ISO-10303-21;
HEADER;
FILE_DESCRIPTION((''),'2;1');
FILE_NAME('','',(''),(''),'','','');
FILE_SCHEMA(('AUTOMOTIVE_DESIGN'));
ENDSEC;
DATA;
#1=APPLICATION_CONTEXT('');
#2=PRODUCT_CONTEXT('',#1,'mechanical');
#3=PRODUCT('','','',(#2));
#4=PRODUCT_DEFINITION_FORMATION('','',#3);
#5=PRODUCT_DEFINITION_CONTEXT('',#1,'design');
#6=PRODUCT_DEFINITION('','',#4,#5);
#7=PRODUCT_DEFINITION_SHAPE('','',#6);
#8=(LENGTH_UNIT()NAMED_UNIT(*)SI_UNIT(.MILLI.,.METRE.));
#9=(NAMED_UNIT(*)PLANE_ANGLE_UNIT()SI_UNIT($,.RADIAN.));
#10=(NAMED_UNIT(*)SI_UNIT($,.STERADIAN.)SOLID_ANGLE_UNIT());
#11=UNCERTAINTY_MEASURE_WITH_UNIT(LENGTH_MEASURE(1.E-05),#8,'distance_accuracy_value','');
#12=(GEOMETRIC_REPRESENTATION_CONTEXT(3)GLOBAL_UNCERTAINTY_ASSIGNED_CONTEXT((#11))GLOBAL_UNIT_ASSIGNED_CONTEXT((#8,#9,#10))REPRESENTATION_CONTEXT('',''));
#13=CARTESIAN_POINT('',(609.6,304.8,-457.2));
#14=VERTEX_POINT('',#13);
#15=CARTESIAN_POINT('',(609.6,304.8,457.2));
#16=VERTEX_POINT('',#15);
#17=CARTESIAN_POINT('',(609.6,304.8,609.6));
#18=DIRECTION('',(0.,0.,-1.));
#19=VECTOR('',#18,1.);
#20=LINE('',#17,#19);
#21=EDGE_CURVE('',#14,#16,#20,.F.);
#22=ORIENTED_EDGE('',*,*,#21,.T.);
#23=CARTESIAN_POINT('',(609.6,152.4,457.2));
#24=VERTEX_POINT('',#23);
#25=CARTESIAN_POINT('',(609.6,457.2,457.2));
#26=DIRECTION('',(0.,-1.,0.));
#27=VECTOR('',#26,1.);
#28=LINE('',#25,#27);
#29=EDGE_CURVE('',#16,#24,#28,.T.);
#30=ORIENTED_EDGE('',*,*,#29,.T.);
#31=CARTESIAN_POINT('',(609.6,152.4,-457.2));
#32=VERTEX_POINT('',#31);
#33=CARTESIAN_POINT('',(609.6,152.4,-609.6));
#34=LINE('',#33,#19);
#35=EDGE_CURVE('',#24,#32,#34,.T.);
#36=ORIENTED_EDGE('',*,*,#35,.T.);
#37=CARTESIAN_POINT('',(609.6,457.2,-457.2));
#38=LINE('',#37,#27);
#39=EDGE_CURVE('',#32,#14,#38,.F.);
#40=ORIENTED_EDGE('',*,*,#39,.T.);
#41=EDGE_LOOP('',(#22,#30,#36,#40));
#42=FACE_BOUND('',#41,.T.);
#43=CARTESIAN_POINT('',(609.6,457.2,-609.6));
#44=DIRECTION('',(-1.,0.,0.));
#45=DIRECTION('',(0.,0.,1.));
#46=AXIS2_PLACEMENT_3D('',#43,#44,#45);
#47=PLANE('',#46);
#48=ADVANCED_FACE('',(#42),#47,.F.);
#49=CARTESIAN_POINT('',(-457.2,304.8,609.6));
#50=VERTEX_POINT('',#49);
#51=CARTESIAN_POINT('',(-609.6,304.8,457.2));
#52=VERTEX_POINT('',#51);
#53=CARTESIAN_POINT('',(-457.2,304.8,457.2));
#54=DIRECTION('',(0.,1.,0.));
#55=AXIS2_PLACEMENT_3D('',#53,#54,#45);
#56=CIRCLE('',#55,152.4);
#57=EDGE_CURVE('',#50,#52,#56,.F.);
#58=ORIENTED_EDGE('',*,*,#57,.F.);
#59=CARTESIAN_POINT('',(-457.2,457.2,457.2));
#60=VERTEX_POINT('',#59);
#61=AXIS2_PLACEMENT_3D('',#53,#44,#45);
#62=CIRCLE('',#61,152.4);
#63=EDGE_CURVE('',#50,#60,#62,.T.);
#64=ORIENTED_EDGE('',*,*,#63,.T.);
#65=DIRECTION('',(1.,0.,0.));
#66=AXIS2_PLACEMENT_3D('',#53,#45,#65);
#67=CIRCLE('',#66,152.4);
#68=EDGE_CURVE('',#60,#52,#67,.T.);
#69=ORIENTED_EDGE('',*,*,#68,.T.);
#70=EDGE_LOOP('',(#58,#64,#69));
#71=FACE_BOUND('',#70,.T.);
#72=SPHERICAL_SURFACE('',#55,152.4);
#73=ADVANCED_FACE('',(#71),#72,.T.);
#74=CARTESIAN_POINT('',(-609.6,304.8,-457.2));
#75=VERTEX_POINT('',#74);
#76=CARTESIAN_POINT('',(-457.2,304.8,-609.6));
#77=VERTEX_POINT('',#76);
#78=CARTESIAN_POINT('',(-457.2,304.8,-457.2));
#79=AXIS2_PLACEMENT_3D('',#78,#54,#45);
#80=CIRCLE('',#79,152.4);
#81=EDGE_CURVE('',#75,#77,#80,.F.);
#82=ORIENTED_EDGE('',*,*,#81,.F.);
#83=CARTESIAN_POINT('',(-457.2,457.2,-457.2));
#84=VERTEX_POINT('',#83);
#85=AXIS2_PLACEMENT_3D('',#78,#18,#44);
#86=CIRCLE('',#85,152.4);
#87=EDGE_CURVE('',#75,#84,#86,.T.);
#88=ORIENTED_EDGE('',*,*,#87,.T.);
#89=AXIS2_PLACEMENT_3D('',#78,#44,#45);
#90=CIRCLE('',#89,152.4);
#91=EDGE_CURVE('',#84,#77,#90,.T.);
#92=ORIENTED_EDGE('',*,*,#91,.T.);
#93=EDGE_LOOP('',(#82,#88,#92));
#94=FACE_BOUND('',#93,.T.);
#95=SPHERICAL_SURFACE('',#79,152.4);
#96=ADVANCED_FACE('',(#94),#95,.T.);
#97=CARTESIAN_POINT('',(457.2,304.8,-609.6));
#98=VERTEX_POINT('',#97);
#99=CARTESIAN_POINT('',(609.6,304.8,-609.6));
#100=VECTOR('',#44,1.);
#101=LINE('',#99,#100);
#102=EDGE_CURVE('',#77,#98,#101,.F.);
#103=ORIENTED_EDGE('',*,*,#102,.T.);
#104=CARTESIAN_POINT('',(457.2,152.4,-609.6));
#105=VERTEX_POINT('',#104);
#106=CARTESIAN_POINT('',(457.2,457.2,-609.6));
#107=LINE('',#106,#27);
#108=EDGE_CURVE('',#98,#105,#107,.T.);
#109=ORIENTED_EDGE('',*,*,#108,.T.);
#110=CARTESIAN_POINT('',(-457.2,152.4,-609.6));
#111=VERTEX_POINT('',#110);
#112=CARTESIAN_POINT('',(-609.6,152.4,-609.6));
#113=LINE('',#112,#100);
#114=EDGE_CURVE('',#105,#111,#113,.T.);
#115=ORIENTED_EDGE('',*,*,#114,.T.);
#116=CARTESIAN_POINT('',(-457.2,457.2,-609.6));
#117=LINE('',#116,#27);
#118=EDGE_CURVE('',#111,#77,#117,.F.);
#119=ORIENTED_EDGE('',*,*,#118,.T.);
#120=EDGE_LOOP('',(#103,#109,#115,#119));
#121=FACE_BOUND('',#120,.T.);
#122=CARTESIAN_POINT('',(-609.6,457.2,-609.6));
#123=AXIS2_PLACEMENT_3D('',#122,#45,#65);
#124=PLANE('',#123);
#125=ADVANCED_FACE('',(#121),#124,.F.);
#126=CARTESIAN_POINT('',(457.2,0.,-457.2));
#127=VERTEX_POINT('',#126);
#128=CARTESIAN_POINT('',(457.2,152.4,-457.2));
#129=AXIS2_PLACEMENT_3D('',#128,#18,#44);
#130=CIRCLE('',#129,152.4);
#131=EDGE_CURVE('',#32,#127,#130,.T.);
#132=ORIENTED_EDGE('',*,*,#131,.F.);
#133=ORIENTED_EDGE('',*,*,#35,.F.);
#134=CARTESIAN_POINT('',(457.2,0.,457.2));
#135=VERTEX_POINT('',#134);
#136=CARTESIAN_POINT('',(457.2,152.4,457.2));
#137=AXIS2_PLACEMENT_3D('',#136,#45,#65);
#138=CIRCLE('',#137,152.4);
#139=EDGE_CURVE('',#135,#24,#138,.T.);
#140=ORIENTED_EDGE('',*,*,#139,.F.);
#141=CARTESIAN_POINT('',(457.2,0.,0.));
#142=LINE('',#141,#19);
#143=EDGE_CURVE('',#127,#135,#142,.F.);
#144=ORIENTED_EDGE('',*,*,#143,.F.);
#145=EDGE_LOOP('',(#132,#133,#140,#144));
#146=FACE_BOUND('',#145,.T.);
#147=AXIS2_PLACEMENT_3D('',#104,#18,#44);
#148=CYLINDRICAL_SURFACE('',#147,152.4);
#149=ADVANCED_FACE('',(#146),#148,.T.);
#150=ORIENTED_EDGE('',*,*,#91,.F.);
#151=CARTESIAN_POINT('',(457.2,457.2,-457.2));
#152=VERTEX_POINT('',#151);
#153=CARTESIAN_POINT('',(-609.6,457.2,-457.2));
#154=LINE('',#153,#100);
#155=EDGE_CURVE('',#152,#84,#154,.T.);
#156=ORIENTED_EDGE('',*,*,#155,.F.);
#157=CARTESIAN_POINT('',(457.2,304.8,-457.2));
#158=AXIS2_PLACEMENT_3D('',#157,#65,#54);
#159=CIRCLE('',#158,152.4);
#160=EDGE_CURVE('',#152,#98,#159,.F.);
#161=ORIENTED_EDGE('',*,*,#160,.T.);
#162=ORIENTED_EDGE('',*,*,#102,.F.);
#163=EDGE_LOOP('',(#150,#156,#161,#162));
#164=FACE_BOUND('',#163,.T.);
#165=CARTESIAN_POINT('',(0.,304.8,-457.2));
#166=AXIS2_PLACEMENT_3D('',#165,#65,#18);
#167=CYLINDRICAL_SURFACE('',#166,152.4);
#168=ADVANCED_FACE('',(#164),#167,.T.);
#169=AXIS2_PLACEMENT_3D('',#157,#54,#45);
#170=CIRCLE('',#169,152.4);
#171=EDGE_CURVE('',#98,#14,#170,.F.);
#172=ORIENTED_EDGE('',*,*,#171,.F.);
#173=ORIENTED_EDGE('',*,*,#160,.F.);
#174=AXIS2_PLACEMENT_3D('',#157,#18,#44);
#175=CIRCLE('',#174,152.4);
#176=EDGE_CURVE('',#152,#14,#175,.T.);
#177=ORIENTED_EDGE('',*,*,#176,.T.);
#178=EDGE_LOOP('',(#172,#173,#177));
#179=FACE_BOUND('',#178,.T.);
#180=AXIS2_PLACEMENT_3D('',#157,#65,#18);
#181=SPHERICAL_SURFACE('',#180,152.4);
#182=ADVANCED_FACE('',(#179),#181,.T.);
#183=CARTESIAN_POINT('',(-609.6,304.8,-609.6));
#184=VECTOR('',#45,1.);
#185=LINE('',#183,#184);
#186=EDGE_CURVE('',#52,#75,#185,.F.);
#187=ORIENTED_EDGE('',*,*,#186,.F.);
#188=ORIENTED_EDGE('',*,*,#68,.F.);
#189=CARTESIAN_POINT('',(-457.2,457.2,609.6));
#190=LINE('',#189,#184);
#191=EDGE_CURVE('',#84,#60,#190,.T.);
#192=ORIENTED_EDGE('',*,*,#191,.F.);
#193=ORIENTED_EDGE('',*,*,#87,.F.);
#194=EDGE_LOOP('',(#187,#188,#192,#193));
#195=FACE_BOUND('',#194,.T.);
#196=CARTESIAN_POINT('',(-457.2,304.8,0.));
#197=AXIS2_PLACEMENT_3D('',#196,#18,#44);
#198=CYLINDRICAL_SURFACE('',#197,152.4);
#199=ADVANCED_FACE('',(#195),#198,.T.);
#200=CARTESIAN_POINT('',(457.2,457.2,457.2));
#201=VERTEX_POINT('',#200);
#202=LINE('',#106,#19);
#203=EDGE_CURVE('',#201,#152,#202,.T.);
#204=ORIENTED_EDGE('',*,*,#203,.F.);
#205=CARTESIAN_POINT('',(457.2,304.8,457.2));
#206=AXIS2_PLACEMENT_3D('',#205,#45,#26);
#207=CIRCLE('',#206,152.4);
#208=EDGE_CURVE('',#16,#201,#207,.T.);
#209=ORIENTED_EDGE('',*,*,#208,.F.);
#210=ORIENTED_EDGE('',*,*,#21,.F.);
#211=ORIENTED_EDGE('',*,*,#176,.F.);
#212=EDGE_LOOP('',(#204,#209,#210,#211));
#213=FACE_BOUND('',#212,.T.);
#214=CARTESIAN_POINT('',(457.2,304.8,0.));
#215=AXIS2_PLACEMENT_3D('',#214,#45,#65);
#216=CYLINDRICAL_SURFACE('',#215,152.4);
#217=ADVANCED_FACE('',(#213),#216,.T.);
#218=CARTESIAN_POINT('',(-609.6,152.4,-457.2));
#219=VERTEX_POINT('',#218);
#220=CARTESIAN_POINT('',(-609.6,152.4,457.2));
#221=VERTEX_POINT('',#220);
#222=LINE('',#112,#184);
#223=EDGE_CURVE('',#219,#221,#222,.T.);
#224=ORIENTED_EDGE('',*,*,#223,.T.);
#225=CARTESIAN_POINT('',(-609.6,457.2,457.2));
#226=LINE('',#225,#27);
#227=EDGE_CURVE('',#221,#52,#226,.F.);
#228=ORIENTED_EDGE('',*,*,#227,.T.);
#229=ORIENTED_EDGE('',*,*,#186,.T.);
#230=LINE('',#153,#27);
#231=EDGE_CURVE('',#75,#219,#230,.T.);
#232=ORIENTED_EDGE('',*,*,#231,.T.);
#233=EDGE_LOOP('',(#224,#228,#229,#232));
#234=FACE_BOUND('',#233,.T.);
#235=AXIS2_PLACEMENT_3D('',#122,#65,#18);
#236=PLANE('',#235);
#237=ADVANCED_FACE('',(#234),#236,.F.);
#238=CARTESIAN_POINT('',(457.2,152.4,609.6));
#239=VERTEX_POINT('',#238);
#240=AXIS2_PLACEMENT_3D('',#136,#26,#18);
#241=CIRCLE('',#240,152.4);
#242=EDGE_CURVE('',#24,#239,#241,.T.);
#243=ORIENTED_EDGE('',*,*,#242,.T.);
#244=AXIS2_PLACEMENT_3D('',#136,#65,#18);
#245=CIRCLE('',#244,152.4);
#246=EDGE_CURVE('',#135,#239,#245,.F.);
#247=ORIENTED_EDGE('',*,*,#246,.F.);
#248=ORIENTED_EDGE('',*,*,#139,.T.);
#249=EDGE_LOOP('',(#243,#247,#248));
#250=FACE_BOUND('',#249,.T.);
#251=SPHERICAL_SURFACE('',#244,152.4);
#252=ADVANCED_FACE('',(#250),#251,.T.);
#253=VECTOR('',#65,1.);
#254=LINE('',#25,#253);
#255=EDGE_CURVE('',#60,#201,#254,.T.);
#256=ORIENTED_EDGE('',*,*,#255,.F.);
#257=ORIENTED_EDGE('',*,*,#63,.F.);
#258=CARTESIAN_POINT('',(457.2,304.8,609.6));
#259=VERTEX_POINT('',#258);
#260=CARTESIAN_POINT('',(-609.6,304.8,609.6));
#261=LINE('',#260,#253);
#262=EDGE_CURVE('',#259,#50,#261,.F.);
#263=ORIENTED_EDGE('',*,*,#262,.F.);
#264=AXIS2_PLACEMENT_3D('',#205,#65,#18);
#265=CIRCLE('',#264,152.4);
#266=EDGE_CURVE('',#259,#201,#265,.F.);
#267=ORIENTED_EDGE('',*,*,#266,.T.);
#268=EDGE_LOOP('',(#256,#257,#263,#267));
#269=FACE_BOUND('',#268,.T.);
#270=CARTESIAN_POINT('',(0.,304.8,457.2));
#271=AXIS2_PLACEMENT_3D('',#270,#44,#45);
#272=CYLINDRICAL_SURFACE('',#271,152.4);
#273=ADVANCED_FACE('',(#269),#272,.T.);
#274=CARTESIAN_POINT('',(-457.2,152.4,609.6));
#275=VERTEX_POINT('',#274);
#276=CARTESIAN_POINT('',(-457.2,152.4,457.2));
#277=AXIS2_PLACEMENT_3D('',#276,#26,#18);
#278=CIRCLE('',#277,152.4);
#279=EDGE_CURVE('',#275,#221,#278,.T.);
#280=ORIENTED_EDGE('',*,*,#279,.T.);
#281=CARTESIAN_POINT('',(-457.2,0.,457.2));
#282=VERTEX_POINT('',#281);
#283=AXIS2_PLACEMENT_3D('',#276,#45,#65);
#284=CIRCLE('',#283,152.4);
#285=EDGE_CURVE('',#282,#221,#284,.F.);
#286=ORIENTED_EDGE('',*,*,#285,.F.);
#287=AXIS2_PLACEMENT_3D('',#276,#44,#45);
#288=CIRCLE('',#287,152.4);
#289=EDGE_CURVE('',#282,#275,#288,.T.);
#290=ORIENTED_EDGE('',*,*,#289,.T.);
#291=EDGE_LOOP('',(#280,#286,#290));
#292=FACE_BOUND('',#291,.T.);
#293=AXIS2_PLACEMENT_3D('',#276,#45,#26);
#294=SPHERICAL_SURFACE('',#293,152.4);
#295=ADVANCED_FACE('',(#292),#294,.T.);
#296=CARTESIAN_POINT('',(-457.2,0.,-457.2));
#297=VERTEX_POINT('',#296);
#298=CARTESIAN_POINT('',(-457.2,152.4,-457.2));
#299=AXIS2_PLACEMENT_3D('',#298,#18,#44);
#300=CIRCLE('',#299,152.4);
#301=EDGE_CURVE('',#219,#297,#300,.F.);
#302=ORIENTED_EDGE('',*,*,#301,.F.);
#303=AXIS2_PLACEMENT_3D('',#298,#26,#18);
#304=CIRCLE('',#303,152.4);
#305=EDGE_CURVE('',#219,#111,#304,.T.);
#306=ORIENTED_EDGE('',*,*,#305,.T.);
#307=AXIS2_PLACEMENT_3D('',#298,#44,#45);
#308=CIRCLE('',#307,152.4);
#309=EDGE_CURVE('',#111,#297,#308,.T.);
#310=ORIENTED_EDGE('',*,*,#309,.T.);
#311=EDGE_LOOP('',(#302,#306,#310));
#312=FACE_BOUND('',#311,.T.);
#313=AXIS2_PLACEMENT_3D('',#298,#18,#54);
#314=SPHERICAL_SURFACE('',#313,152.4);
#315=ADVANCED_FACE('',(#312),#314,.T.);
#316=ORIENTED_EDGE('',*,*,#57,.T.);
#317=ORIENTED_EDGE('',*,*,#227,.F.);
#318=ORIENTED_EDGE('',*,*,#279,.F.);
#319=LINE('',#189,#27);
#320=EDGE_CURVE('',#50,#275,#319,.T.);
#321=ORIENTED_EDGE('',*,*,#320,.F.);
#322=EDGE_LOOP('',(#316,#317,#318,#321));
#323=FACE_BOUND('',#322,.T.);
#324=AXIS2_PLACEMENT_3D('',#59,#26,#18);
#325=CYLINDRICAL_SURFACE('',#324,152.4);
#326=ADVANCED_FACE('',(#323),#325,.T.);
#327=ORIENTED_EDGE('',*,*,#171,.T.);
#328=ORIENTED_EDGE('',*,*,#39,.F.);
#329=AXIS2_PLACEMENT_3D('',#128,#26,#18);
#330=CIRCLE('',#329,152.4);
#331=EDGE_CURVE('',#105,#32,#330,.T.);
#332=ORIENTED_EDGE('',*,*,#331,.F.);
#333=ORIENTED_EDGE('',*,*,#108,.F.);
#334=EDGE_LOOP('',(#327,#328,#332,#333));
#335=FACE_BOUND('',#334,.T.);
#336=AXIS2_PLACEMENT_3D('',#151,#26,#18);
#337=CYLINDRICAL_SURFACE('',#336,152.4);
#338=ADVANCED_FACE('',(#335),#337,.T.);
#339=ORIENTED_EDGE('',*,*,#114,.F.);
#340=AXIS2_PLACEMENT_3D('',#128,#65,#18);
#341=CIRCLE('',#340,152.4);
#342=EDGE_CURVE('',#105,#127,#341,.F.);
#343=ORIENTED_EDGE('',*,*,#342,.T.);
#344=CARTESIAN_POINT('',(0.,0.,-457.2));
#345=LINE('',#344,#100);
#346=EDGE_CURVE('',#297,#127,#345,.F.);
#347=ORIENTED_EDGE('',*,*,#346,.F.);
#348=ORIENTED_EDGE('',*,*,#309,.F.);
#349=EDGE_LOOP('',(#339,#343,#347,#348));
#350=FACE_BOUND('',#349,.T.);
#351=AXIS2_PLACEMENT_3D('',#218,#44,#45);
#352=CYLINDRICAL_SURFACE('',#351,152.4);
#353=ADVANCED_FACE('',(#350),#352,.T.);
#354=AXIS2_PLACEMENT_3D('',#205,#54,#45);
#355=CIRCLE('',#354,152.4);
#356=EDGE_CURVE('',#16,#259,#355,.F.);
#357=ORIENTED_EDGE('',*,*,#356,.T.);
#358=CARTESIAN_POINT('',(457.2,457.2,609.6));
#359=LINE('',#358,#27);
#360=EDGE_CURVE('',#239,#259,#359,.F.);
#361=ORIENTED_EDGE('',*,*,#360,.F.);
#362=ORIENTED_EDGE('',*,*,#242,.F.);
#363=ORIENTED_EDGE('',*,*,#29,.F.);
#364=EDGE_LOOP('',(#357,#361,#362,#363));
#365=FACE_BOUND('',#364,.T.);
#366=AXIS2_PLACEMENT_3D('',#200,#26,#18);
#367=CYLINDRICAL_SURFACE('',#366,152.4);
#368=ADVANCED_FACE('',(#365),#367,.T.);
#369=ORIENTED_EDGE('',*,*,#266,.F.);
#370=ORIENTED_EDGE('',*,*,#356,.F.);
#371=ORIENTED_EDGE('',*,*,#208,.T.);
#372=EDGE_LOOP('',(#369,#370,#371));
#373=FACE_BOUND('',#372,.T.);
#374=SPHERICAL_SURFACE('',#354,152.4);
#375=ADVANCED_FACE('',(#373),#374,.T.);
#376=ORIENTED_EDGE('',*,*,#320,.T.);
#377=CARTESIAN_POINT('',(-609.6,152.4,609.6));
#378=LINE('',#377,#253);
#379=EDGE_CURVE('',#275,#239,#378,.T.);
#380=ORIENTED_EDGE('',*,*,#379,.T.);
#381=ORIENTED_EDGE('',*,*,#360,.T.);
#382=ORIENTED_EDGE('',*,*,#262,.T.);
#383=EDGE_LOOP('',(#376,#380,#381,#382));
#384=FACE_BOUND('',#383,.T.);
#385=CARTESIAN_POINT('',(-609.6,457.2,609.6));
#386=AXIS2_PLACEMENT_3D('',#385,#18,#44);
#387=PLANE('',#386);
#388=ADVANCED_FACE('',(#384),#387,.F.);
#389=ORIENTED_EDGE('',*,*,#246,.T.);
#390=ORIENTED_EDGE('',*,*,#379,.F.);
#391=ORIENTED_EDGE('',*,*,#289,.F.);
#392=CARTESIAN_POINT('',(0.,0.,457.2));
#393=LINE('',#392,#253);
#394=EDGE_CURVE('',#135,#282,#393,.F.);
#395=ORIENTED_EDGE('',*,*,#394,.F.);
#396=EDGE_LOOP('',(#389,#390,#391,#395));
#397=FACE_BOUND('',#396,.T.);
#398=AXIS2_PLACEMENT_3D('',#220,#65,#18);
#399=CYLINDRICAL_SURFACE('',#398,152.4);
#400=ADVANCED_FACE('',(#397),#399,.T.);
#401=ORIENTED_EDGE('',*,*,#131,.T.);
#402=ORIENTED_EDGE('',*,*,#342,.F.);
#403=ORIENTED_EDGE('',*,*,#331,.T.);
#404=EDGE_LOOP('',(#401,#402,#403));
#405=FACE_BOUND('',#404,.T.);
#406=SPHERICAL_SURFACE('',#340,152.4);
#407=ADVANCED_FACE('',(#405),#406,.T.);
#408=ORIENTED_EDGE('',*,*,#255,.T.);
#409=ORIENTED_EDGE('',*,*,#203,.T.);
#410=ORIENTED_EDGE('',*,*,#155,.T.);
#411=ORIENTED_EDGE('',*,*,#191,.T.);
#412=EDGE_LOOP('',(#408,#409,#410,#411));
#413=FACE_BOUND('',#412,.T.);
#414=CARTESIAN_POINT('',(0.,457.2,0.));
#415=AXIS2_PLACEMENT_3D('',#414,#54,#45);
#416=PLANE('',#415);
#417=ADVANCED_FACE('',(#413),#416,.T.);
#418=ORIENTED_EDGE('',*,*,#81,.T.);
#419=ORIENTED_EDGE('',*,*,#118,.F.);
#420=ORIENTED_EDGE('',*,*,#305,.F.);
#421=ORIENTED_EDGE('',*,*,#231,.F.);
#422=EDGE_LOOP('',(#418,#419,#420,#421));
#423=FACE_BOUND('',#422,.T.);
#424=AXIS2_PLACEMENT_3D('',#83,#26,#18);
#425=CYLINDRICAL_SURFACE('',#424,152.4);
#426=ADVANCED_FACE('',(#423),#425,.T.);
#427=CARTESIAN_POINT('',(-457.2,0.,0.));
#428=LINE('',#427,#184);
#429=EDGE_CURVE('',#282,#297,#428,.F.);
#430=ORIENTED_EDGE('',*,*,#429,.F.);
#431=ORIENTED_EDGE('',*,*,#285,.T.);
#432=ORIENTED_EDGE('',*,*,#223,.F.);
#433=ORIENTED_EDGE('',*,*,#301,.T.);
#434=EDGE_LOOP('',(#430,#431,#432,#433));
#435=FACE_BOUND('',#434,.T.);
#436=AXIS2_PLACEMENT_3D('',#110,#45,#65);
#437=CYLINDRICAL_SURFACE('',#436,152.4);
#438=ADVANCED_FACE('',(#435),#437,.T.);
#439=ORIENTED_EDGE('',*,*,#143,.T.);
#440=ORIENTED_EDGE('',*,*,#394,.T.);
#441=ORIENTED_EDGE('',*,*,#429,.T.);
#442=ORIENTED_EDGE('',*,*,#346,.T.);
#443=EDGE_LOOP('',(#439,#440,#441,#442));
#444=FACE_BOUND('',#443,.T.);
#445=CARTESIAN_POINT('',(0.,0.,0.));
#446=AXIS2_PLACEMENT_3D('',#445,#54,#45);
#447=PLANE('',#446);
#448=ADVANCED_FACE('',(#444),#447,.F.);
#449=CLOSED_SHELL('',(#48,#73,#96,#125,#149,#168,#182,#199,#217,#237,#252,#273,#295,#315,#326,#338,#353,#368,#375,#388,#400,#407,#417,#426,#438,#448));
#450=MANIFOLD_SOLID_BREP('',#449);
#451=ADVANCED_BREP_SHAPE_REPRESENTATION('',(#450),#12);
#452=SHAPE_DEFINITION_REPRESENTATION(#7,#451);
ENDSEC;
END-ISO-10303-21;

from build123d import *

# Parameters (mm, degrees)
SKETCH1_W           = 1219.2
SKETCH1_H           = 1219.2
BOSS_EXTRUDE1_DEPTH = 457.2
FILLET1_R           = 152.4


with BuildPart() as part:
    # Sketch1 → Boss-Extrude1 (new body)
    with BuildSketch(Plane(origin=(0, 0, 0), x_dir=(1, 0, 0), z_dir=(0, 1, 0))):
        Rectangle(SKETCH1_W, SKETCH1_H)
    extrude(amount=BOSS_EXTRUDE1_DEPTH)

    # Fillet1
    fillet1_edges = [part.edges().sort_by_distance(p)[0] for p in [
        (-609.6, 457.2, 0),
        (0, 457.2, 609.6),
        (609.6, 457.2, 0),
        (0, 0, 609.6),
        (-609.6, 0, 0),
        (0, 0, -609.6),
        (609.6, 0, 0),
        (609.6, 228.6, 609.6),
        (-609.6, 228.6, 609.6),
        (-609.6, 228.6, -609.6),
        (609.6, 228.6, -609.6),
        (0, 457.2, -609.6),
    ]]
    fillet(fillet1_edges, radius=FILLET1_R)


solid = part.part
